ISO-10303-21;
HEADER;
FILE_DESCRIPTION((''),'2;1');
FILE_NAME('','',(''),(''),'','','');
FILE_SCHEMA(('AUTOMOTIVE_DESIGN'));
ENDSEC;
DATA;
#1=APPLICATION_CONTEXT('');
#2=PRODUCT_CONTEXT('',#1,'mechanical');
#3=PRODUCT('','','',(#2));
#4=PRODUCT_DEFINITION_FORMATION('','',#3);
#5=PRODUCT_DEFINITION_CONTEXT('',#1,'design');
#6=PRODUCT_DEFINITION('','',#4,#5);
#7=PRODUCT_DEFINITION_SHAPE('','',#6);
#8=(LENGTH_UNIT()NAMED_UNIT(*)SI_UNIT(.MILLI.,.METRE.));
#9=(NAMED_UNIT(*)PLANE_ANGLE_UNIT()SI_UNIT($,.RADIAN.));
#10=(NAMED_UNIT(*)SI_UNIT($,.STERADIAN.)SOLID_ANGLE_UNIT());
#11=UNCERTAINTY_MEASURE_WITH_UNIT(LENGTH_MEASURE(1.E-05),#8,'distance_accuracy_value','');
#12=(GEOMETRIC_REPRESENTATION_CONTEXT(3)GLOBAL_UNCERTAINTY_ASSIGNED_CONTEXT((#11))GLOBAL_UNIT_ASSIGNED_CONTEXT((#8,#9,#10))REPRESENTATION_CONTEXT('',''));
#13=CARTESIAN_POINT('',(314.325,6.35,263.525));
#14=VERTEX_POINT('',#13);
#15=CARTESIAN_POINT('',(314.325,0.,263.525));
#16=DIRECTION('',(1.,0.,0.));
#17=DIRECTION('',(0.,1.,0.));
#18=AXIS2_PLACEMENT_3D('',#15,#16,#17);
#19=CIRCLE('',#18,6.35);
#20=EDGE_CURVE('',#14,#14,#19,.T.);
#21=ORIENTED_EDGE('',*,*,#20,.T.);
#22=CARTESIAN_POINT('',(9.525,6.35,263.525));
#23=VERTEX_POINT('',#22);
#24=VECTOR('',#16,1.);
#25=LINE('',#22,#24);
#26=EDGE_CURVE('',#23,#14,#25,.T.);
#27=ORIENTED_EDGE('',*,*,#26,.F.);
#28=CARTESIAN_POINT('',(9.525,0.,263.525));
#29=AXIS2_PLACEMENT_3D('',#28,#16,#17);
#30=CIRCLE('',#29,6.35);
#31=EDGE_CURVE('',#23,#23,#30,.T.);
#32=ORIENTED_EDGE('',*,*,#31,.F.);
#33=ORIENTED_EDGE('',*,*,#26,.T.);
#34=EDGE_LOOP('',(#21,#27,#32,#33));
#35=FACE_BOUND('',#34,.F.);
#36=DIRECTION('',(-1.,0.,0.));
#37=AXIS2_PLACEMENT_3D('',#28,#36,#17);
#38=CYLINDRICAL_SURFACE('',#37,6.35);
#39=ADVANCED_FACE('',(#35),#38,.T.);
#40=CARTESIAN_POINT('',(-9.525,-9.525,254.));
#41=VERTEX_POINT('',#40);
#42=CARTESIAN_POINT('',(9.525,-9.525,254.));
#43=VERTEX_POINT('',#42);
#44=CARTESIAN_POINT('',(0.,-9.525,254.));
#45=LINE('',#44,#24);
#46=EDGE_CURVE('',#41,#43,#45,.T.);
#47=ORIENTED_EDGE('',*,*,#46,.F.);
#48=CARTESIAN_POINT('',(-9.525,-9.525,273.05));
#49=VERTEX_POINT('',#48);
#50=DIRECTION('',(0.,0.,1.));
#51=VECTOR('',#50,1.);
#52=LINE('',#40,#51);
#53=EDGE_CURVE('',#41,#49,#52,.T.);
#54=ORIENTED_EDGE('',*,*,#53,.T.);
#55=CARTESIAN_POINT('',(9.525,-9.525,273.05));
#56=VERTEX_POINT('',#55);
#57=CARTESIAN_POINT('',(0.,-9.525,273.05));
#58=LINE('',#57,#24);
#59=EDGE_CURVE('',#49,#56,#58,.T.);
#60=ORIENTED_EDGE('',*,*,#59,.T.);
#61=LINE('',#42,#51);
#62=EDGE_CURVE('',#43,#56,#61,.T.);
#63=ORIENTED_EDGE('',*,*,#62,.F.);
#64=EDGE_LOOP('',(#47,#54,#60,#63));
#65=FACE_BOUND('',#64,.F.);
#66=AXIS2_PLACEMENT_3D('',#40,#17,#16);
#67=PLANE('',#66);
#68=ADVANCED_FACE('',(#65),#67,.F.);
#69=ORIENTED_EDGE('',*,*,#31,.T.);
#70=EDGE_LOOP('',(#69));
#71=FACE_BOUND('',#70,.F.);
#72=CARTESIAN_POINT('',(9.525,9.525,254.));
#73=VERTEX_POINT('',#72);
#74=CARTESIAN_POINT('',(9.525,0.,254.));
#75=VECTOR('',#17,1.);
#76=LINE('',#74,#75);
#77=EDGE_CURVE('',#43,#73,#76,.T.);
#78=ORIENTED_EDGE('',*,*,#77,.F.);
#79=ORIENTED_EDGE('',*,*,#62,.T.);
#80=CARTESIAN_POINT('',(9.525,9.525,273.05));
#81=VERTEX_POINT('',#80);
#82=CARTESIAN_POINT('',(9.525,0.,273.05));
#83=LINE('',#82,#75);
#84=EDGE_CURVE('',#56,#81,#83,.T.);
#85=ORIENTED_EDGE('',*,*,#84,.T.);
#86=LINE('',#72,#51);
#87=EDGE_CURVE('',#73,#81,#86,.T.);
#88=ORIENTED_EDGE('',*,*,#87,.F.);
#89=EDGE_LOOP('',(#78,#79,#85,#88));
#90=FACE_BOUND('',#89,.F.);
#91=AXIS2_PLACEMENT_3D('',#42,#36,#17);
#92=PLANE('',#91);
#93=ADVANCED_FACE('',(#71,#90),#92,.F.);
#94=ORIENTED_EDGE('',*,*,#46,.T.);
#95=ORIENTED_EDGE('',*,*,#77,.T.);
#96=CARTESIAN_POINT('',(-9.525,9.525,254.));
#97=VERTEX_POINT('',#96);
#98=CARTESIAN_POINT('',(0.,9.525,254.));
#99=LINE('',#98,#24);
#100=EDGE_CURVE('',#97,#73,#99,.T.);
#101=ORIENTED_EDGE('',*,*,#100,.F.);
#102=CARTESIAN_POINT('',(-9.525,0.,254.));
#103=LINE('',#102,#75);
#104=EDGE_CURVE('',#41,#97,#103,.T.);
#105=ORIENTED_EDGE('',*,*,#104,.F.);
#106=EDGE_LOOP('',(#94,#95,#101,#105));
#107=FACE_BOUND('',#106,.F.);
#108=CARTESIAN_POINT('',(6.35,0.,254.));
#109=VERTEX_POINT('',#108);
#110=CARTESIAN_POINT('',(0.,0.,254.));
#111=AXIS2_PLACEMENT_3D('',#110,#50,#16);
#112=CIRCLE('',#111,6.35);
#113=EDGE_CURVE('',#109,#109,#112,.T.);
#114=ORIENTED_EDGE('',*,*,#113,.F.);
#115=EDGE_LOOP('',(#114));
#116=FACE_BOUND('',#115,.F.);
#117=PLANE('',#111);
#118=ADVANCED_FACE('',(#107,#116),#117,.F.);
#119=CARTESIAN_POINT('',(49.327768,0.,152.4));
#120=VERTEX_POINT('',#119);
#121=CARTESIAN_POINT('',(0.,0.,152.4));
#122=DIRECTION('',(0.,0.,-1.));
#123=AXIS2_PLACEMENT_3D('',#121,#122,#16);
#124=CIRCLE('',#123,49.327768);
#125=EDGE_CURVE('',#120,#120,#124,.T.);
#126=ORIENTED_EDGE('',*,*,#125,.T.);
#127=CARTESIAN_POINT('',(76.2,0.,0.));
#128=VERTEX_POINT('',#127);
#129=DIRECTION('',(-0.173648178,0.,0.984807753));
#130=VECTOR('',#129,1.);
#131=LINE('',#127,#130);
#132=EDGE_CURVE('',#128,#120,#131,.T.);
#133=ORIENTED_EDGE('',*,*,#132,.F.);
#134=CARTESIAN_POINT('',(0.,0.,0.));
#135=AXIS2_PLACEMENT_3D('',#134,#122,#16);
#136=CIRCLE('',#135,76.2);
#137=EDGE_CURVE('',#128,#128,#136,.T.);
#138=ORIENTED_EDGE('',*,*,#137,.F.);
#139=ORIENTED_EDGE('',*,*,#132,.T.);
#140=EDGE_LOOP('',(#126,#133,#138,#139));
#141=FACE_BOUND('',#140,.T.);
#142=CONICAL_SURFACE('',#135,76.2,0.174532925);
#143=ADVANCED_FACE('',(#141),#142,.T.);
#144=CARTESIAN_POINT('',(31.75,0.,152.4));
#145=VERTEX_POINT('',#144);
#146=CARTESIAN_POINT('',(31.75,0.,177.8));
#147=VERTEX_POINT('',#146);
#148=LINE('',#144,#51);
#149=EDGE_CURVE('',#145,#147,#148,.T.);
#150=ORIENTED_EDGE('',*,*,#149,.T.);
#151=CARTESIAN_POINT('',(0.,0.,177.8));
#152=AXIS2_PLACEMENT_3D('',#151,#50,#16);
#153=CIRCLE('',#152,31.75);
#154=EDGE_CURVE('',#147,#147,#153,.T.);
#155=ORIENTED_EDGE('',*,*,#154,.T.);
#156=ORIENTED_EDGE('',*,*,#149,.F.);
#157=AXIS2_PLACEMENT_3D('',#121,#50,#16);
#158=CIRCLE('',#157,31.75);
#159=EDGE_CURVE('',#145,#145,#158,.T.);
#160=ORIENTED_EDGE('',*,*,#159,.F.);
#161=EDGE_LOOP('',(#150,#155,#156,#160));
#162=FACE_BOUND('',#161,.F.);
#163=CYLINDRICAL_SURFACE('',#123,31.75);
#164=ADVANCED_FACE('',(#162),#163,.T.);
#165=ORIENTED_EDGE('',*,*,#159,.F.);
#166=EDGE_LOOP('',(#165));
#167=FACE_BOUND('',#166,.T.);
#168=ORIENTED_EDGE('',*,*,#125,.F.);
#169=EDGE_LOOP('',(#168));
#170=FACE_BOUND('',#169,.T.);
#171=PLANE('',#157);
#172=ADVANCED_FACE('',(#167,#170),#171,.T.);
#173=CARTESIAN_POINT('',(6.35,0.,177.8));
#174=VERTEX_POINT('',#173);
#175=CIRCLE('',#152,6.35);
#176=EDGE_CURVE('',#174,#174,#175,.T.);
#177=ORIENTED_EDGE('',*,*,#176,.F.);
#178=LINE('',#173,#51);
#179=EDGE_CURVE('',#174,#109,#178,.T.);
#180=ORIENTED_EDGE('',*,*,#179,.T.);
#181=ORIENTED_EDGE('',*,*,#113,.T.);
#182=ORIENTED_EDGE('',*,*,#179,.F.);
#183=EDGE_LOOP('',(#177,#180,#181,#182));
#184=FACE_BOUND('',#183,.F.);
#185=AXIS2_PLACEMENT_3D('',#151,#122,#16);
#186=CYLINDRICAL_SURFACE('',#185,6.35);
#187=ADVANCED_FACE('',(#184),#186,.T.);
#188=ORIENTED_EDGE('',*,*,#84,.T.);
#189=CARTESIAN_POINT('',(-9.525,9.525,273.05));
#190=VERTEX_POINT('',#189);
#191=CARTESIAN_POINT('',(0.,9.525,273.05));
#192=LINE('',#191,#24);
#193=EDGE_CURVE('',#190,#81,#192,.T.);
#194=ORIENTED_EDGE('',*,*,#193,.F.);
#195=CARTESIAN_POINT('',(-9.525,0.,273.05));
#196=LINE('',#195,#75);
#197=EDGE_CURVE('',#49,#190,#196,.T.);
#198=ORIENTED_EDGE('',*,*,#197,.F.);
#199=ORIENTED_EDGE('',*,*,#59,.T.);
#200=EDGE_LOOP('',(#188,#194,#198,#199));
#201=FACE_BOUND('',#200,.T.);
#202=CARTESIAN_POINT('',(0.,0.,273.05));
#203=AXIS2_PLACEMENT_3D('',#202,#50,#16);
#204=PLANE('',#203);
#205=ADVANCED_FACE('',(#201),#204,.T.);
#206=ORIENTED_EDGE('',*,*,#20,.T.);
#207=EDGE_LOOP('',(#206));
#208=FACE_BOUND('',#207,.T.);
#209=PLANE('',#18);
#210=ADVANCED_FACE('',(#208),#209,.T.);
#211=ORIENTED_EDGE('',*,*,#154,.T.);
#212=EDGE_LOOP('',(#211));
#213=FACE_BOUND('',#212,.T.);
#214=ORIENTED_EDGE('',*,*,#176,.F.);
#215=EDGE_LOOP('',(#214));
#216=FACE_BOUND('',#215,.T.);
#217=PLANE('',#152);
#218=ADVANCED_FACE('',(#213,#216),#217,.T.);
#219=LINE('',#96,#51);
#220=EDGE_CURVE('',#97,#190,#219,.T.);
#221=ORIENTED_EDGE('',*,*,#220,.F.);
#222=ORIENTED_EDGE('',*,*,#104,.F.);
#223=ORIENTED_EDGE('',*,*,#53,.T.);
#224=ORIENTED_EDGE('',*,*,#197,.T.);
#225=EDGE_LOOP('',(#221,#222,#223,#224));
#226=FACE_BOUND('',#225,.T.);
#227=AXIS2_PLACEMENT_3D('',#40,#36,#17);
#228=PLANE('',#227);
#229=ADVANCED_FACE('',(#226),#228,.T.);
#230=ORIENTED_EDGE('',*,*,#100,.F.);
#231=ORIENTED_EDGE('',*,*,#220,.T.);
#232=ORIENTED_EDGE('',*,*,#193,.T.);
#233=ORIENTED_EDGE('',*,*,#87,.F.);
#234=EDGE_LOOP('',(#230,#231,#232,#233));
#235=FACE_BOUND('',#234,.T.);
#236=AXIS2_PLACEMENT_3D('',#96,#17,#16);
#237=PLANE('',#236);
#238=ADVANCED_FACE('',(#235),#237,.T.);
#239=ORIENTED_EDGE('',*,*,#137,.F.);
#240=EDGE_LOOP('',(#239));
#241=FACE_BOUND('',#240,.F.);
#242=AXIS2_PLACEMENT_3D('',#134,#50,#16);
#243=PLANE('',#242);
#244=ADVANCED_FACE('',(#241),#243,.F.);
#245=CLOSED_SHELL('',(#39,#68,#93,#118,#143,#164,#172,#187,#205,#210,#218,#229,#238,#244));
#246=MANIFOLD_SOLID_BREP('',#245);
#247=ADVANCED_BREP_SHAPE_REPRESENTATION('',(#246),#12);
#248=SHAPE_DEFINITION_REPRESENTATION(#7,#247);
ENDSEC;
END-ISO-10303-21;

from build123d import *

# Parameters (mm, degrees)
F0_R     = 76.2
F1_DEPTH = 152.4
F1_TAPER = 10
F2_R     = 31.75
F3_DEPTH = 25.4
F4_R     = 6.35
F5_DEPTH = 76.2
F6_W     = 19.05
F6_H     = 19.05
F6_R     = 6.35
F7_DEPTH = 19.05
F8_R     = 6.35
F9_DEPTH = 304.8


with BuildPart() as f1:
    # F0 (on Top) → F1 (new body)
    with BuildSketch(Plane.XY):
        Circle(F0_R)
    extrude(amount=F1_DEPTH, taper=F1_TAPER)

    # F2 (on face) → F3 (join)
    with BuildSketch(Plane.XY.offset(152.4)):
        Circle(F2_R)
    extrude(amount=F3_DEPTH)

    # F4 (on face) → F5 (join)
    with BuildSketch(Plane.XY.offset(177.8)):
        Circle(F4_R)
    extrude(amount=F5_DEPTH)

    # F6 (on face) → F7 (join)
    with BuildSketch(Plane.XY.offset(254)):
        Rectangle(F6_W, F6_H)
        Circle(F6_R, mode=Mode.SUBTRACT)
        Circle(F6_R)
    extrude(amount=F7_DEPTH)

    # F8 (on face) → F9 (join)
    with BuildSketch(Plane.YZ.offset(9.525)):
        with Locations((0, 263.525)):
            Circle(F8_R)
    extrude(amount=F9_DEPTH)


solid = f1.part
